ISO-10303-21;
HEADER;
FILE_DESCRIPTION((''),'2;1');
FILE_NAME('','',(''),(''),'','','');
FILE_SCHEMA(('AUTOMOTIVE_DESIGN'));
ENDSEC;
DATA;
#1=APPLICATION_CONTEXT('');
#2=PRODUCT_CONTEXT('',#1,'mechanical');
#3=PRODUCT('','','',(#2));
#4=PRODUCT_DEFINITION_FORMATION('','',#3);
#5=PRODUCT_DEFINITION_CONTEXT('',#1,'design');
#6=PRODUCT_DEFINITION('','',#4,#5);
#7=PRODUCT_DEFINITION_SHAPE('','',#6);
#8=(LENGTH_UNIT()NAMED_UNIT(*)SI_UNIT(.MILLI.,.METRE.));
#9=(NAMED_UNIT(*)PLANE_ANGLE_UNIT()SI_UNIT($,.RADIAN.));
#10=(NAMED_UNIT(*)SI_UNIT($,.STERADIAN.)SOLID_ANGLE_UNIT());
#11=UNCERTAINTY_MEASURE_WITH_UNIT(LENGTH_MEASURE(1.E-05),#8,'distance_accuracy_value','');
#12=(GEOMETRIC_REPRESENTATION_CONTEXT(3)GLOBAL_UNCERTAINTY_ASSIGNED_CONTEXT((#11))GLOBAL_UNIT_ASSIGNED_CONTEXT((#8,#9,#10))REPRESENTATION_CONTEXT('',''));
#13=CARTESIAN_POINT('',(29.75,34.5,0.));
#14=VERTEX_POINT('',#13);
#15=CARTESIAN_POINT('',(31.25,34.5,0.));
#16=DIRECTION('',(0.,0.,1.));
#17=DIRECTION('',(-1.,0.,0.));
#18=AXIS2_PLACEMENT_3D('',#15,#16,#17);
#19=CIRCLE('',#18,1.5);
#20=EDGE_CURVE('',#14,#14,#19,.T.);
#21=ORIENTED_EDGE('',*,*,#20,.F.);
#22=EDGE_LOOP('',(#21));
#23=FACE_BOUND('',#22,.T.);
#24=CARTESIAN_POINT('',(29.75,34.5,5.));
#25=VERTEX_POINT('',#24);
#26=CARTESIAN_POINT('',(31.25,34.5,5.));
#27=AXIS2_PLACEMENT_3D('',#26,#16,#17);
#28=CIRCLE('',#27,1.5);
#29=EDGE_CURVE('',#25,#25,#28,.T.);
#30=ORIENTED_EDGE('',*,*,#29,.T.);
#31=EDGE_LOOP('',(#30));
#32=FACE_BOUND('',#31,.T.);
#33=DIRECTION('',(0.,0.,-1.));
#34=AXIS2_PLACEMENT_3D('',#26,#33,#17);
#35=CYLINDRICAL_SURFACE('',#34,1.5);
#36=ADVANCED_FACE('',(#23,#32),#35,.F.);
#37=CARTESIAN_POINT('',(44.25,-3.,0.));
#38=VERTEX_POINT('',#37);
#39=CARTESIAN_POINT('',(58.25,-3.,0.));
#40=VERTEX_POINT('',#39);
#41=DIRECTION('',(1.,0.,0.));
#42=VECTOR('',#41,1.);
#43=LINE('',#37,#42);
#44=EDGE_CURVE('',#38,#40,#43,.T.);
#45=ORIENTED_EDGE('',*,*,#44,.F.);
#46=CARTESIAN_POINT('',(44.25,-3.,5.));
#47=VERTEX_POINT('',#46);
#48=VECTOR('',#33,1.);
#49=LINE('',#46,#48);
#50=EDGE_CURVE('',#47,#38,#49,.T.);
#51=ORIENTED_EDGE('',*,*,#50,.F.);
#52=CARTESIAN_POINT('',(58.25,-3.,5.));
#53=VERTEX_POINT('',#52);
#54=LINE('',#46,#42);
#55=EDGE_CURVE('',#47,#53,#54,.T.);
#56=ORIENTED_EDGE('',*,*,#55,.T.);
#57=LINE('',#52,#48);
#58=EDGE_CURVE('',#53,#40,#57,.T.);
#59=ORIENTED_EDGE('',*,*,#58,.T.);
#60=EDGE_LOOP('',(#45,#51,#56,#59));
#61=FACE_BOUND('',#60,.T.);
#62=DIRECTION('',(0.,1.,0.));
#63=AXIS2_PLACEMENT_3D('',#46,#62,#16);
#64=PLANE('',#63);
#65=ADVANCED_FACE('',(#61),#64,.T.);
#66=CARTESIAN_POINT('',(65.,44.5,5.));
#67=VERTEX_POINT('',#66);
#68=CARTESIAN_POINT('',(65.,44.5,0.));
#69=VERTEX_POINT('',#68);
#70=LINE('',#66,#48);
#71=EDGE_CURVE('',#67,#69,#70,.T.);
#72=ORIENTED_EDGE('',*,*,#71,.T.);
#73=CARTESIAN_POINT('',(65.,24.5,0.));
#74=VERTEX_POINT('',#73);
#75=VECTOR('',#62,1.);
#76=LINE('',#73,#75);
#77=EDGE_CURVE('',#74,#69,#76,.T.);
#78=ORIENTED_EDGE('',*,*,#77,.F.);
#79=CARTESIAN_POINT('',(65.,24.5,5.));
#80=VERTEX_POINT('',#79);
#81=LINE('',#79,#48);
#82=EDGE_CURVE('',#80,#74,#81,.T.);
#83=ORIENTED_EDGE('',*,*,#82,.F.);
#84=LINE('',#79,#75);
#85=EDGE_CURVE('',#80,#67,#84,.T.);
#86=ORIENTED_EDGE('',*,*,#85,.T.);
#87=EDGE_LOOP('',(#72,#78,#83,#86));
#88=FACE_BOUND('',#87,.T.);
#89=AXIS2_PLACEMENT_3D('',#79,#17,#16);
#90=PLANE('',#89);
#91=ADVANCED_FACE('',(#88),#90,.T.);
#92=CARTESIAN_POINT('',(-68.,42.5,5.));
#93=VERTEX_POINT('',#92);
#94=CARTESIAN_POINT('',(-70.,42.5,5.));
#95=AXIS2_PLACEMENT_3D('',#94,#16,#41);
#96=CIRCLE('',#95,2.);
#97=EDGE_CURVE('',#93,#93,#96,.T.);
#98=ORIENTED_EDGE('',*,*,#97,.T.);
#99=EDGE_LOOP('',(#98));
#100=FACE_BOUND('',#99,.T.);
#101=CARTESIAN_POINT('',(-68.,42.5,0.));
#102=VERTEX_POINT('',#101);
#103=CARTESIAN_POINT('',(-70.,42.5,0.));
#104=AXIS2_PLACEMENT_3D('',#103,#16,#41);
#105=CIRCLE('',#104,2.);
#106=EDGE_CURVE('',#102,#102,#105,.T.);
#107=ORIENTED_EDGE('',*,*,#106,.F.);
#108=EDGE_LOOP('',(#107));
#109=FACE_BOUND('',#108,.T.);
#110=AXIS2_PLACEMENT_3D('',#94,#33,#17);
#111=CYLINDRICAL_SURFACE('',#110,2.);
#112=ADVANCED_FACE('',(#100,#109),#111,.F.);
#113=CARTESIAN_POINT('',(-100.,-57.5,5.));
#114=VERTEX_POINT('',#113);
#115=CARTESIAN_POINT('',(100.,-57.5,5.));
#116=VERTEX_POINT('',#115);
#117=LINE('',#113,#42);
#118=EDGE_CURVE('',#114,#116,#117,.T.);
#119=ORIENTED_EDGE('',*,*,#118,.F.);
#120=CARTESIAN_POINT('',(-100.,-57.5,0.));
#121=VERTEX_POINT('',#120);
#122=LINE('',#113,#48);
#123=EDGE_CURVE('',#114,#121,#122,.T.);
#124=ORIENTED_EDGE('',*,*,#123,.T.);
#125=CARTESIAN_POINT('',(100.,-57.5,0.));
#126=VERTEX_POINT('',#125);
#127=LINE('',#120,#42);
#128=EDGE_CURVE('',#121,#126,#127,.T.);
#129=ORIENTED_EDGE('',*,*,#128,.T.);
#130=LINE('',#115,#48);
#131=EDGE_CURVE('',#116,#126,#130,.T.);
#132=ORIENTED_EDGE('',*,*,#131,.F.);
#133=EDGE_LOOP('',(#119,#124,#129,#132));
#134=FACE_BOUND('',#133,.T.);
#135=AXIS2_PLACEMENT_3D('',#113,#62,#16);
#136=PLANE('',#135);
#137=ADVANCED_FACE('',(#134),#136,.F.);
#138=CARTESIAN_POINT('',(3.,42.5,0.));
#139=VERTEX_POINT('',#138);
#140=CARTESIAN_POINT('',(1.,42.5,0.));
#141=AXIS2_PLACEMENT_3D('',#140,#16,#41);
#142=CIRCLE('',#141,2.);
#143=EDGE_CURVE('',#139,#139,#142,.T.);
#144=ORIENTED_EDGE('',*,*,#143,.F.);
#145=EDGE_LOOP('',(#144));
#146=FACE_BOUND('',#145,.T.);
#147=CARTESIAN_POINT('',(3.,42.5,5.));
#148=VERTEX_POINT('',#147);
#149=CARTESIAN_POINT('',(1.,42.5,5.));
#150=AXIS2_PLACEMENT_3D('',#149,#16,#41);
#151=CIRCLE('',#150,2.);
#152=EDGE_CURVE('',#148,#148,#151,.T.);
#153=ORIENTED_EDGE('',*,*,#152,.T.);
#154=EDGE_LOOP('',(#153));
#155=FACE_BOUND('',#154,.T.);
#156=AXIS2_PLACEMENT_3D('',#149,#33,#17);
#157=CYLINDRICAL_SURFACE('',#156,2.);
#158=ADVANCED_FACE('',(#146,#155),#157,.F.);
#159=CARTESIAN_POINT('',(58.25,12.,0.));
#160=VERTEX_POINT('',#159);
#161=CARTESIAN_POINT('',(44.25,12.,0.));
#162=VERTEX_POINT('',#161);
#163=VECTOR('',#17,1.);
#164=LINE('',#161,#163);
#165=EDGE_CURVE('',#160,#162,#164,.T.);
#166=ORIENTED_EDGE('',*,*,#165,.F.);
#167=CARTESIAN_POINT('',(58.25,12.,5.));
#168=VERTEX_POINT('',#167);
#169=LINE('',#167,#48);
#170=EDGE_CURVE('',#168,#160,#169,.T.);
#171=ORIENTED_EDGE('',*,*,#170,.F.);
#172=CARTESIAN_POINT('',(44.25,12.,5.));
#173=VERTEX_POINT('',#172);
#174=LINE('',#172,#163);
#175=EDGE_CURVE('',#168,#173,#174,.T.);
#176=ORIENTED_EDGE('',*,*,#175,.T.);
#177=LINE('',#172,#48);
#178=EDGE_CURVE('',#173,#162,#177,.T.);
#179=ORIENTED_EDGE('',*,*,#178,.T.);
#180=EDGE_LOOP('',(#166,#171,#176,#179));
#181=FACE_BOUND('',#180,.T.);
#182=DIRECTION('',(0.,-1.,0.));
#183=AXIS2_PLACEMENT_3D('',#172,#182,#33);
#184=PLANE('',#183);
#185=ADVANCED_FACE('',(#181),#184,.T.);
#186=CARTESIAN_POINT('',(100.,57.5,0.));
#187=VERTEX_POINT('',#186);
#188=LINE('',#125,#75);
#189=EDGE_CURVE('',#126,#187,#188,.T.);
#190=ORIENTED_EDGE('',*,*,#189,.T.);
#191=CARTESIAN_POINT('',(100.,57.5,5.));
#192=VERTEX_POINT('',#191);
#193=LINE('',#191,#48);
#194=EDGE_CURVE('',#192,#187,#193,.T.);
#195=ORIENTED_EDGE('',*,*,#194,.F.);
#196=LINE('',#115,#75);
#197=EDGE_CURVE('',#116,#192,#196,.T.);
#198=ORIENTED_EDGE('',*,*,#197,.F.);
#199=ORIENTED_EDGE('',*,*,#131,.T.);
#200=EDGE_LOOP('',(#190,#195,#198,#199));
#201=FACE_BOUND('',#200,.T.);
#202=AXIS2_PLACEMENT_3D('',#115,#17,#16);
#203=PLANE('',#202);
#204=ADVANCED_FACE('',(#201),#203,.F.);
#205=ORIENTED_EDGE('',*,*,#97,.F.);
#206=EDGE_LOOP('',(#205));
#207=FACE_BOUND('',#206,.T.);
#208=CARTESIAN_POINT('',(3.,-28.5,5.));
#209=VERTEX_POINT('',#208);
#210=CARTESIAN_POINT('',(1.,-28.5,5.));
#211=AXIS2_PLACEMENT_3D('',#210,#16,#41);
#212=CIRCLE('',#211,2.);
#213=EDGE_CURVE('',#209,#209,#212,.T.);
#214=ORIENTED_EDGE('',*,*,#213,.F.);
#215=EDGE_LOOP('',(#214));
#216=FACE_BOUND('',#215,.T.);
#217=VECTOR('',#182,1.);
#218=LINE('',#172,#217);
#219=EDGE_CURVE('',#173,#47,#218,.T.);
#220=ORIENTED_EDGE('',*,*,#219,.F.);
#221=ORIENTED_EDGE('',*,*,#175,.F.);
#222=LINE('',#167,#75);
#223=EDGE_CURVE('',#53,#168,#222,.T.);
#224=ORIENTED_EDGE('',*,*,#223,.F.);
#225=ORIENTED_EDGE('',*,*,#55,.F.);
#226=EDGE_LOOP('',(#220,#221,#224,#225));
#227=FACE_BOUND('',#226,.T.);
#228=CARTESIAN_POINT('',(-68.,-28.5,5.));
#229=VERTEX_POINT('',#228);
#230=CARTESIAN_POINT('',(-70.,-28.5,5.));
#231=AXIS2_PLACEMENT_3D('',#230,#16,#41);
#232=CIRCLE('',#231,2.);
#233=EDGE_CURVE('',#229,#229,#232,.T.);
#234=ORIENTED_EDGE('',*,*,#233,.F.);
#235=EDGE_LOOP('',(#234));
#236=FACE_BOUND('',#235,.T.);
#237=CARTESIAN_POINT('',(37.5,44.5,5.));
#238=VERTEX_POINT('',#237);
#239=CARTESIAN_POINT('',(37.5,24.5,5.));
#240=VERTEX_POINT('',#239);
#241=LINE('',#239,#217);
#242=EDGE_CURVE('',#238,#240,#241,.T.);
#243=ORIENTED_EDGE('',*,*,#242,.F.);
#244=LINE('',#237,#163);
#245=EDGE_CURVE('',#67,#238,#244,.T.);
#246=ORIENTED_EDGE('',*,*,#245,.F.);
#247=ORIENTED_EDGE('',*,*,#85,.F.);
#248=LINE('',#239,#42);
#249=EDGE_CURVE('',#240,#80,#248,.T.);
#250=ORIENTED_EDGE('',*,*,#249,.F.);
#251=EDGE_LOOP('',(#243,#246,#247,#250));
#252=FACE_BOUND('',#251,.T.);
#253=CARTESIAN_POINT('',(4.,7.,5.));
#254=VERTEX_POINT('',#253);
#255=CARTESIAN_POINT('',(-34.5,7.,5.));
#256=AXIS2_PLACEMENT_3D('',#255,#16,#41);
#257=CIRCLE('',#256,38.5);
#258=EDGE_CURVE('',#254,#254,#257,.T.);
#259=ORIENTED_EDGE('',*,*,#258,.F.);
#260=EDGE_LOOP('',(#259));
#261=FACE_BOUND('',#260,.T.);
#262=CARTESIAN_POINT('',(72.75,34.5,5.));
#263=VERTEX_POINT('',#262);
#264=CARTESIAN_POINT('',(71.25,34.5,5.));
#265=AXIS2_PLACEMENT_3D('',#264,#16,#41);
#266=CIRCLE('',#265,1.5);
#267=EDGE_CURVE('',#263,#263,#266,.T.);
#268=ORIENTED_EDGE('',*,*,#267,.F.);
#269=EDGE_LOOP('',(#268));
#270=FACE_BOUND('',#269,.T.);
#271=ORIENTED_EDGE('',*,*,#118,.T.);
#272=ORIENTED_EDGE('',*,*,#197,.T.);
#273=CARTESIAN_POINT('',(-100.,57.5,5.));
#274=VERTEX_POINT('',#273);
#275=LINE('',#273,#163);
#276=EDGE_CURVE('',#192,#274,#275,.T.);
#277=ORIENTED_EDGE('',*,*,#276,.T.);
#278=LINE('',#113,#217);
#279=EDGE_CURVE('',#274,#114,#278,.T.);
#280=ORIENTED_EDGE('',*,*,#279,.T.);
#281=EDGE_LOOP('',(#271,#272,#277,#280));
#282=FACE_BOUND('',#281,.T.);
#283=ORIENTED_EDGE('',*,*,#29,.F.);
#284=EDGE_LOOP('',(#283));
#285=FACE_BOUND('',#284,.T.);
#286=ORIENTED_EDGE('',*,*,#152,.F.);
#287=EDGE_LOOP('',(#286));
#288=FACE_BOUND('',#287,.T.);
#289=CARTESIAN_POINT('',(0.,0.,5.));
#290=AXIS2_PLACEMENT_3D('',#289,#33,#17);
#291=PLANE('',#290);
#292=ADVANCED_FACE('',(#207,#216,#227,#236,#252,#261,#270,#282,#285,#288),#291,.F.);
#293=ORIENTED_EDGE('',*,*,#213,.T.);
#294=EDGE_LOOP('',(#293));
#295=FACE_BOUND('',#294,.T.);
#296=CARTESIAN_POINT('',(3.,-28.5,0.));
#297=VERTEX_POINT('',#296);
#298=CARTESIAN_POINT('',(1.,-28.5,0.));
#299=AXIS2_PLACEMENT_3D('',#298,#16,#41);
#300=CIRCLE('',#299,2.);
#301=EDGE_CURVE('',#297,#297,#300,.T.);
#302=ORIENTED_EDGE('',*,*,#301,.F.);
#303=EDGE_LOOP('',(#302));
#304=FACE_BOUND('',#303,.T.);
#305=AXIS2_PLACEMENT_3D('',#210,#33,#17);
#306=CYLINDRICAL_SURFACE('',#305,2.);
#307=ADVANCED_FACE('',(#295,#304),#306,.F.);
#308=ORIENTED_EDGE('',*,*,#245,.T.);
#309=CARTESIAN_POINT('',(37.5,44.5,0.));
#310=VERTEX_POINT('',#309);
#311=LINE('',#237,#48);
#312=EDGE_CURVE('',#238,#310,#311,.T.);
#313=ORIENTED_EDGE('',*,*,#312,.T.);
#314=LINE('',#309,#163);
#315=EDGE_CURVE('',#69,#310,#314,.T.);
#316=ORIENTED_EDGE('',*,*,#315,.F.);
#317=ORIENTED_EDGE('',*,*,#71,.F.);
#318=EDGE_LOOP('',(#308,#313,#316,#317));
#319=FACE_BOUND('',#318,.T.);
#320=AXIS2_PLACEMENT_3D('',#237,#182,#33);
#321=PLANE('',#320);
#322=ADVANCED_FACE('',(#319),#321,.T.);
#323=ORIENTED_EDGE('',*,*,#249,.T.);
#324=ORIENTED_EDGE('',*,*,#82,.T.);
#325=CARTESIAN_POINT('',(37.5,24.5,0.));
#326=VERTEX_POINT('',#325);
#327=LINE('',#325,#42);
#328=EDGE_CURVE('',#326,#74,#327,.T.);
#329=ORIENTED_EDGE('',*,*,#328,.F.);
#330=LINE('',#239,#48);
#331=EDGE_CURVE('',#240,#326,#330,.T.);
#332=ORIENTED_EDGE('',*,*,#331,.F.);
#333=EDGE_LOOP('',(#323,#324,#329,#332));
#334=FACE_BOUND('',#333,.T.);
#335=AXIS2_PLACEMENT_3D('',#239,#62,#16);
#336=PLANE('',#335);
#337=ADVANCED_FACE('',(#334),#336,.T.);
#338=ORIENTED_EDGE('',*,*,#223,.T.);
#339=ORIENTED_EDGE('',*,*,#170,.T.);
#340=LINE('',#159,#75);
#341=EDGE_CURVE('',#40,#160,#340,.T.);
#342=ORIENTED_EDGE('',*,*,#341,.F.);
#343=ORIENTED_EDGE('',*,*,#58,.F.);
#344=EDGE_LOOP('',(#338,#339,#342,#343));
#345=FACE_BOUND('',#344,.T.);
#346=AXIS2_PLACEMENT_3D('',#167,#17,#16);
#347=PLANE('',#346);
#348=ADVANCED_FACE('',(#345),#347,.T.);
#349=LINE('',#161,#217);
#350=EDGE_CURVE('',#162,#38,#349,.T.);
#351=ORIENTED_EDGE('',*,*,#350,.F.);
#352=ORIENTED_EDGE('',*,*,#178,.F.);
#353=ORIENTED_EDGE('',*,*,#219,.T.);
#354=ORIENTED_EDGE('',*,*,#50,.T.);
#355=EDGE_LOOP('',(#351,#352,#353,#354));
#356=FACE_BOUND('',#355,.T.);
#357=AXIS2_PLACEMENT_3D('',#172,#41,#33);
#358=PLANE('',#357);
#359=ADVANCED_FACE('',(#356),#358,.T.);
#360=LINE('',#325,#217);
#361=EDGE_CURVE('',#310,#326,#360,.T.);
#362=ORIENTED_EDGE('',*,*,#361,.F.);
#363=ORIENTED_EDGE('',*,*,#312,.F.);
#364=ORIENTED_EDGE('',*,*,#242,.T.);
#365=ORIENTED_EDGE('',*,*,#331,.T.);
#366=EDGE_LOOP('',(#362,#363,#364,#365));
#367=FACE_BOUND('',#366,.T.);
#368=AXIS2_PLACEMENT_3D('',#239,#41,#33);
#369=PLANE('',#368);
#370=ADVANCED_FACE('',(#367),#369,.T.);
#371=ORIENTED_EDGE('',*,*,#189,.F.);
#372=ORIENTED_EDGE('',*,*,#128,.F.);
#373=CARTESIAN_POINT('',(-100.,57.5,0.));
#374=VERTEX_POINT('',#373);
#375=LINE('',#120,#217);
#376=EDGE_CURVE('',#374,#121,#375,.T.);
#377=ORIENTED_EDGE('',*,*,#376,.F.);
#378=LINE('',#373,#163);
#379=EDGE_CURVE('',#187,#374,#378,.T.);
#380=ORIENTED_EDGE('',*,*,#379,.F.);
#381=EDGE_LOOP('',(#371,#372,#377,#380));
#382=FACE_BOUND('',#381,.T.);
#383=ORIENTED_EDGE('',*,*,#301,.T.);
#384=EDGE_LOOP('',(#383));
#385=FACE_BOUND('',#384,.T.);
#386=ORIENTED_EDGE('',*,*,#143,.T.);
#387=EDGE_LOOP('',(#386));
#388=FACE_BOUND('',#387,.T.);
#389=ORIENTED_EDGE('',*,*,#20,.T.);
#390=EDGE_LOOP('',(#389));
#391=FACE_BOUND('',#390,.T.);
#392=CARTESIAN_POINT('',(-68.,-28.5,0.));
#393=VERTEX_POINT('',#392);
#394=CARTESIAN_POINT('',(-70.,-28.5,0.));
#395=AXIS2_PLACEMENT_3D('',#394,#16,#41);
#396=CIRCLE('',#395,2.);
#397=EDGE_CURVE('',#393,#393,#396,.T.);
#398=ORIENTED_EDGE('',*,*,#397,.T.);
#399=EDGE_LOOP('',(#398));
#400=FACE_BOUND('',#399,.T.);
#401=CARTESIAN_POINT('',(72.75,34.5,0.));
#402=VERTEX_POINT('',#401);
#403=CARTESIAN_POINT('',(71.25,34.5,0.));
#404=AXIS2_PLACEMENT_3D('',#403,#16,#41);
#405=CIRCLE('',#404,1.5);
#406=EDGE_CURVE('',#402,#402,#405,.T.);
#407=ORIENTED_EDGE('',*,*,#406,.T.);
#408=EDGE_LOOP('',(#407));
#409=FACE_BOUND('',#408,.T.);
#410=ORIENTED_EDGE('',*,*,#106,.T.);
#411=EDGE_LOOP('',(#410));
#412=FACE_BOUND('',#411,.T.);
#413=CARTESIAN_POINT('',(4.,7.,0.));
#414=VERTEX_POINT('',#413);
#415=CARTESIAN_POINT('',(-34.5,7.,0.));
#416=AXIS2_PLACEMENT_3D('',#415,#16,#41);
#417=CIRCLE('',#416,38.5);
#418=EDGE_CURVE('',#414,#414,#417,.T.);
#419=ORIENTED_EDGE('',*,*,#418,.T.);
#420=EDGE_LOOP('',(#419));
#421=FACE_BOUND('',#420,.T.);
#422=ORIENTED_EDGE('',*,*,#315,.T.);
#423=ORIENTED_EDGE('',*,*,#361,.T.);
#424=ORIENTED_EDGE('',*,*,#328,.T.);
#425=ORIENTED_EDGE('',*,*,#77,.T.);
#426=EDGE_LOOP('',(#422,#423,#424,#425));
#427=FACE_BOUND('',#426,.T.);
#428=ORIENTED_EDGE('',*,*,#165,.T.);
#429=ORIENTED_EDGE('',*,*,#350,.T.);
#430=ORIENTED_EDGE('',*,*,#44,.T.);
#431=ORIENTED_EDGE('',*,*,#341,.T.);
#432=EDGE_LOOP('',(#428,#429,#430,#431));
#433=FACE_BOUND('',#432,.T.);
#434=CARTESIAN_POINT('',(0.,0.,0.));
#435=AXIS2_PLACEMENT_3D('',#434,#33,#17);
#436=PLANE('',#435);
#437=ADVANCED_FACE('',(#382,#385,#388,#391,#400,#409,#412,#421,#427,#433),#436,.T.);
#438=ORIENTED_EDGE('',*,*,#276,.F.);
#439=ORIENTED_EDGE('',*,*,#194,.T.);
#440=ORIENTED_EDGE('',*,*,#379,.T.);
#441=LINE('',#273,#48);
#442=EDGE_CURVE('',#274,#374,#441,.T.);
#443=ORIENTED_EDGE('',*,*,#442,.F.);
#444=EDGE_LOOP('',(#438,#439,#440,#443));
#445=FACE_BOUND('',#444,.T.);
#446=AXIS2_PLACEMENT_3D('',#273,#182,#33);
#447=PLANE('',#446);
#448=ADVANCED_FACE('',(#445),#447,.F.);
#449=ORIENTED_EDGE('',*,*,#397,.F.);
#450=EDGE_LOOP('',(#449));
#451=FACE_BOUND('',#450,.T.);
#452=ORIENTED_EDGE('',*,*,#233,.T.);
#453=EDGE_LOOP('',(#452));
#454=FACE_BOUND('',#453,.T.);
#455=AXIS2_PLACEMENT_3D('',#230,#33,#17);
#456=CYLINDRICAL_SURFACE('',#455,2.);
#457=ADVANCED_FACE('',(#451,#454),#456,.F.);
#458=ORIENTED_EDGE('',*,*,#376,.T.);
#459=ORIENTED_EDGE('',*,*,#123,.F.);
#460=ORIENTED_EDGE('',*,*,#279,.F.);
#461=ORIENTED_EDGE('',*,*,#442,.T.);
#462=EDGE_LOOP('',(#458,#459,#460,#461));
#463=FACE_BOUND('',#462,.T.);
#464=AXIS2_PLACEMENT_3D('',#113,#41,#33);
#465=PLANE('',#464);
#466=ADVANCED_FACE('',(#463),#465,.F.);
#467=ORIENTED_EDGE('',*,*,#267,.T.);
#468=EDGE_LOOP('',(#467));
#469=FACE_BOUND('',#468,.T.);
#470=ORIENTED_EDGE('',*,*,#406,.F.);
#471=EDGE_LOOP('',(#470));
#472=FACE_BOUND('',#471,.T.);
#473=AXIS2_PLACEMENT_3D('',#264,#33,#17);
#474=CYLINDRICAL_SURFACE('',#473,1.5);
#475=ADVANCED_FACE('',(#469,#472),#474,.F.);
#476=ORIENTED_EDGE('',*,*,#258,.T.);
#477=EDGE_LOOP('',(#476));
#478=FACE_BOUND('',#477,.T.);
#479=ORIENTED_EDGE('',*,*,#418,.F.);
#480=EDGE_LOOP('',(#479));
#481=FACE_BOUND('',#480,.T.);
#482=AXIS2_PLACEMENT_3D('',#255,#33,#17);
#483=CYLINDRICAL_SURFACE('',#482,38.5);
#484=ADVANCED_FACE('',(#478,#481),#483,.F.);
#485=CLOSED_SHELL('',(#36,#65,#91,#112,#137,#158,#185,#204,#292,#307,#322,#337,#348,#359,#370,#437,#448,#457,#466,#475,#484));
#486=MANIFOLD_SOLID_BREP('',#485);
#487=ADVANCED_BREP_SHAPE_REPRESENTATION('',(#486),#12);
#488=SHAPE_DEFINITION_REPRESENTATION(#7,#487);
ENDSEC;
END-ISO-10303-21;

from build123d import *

# Parameters (mm, degrees)
SKETCH1_W           = 200
SKETCH1_H           = 115
SKETCH1_R           = 38.5
SKETCH1_R_2         = 2
SKETCH1_R_3         = 1.5
SKETCH1_W_2         = 27.5
SKETCH1_H_2         = 20
SKETCH1_W_3         = 14
SKETCH1_H_3         = 15
BOSS_EXTRUDE1_DEPTH = 5


with BuildPart() as part:
    # Sketch1 → Boss-Extrude1 (new body)
    with BuildSketch(Plane.XY):
        Rectangle(SKETCH1_W, SKETCH1_H)
        with Locations((-34.5, 7)):
            Circle(SKETCH1_R, mode=Mode.SUBTRACT)
        with Locations((-70, 42.5)):
            Circle(SKETCH1_R_2, mode=Mode.SUBTRACT)
        with Locations((1, 42.5)):
            Circle(SKETCH1_R_2, mode=Mode.SUBTRACT)
        with Locations((1, -28.5)):
            Circle(SKETCH1_R_2, mode=Mode.SUBTRACT)
        with Locations((-70, -28.5)):
            Circle(SKETCH1_R_2, mode=Mode.SUBTRACT)
        with Locations((71.25, 34.5)):
            Circle(SKETCH1_R_3, mode=Mode.SUBTRACT)
        with Locations(Location((31.25, 34.5, 0), (0, 0, 180))):
            Circle(SKETCH1_R_3, mode=Mode.SUBTRACT)
        with Locations((51.25, 34.5)):
            Rectangle(SKETCH1_W_2, SKETCH1_H_2, mode=Mode.SUBTRACT)
        with Locations((51.25, 4.5)):
            Rectangle(SKETCH1_W_3, SKETCH1_H_3, mode=Mode.SUBTRACT)
    extrude(amount=BOSS_EXTRUDE1_DEPTH)


solid = part.part
